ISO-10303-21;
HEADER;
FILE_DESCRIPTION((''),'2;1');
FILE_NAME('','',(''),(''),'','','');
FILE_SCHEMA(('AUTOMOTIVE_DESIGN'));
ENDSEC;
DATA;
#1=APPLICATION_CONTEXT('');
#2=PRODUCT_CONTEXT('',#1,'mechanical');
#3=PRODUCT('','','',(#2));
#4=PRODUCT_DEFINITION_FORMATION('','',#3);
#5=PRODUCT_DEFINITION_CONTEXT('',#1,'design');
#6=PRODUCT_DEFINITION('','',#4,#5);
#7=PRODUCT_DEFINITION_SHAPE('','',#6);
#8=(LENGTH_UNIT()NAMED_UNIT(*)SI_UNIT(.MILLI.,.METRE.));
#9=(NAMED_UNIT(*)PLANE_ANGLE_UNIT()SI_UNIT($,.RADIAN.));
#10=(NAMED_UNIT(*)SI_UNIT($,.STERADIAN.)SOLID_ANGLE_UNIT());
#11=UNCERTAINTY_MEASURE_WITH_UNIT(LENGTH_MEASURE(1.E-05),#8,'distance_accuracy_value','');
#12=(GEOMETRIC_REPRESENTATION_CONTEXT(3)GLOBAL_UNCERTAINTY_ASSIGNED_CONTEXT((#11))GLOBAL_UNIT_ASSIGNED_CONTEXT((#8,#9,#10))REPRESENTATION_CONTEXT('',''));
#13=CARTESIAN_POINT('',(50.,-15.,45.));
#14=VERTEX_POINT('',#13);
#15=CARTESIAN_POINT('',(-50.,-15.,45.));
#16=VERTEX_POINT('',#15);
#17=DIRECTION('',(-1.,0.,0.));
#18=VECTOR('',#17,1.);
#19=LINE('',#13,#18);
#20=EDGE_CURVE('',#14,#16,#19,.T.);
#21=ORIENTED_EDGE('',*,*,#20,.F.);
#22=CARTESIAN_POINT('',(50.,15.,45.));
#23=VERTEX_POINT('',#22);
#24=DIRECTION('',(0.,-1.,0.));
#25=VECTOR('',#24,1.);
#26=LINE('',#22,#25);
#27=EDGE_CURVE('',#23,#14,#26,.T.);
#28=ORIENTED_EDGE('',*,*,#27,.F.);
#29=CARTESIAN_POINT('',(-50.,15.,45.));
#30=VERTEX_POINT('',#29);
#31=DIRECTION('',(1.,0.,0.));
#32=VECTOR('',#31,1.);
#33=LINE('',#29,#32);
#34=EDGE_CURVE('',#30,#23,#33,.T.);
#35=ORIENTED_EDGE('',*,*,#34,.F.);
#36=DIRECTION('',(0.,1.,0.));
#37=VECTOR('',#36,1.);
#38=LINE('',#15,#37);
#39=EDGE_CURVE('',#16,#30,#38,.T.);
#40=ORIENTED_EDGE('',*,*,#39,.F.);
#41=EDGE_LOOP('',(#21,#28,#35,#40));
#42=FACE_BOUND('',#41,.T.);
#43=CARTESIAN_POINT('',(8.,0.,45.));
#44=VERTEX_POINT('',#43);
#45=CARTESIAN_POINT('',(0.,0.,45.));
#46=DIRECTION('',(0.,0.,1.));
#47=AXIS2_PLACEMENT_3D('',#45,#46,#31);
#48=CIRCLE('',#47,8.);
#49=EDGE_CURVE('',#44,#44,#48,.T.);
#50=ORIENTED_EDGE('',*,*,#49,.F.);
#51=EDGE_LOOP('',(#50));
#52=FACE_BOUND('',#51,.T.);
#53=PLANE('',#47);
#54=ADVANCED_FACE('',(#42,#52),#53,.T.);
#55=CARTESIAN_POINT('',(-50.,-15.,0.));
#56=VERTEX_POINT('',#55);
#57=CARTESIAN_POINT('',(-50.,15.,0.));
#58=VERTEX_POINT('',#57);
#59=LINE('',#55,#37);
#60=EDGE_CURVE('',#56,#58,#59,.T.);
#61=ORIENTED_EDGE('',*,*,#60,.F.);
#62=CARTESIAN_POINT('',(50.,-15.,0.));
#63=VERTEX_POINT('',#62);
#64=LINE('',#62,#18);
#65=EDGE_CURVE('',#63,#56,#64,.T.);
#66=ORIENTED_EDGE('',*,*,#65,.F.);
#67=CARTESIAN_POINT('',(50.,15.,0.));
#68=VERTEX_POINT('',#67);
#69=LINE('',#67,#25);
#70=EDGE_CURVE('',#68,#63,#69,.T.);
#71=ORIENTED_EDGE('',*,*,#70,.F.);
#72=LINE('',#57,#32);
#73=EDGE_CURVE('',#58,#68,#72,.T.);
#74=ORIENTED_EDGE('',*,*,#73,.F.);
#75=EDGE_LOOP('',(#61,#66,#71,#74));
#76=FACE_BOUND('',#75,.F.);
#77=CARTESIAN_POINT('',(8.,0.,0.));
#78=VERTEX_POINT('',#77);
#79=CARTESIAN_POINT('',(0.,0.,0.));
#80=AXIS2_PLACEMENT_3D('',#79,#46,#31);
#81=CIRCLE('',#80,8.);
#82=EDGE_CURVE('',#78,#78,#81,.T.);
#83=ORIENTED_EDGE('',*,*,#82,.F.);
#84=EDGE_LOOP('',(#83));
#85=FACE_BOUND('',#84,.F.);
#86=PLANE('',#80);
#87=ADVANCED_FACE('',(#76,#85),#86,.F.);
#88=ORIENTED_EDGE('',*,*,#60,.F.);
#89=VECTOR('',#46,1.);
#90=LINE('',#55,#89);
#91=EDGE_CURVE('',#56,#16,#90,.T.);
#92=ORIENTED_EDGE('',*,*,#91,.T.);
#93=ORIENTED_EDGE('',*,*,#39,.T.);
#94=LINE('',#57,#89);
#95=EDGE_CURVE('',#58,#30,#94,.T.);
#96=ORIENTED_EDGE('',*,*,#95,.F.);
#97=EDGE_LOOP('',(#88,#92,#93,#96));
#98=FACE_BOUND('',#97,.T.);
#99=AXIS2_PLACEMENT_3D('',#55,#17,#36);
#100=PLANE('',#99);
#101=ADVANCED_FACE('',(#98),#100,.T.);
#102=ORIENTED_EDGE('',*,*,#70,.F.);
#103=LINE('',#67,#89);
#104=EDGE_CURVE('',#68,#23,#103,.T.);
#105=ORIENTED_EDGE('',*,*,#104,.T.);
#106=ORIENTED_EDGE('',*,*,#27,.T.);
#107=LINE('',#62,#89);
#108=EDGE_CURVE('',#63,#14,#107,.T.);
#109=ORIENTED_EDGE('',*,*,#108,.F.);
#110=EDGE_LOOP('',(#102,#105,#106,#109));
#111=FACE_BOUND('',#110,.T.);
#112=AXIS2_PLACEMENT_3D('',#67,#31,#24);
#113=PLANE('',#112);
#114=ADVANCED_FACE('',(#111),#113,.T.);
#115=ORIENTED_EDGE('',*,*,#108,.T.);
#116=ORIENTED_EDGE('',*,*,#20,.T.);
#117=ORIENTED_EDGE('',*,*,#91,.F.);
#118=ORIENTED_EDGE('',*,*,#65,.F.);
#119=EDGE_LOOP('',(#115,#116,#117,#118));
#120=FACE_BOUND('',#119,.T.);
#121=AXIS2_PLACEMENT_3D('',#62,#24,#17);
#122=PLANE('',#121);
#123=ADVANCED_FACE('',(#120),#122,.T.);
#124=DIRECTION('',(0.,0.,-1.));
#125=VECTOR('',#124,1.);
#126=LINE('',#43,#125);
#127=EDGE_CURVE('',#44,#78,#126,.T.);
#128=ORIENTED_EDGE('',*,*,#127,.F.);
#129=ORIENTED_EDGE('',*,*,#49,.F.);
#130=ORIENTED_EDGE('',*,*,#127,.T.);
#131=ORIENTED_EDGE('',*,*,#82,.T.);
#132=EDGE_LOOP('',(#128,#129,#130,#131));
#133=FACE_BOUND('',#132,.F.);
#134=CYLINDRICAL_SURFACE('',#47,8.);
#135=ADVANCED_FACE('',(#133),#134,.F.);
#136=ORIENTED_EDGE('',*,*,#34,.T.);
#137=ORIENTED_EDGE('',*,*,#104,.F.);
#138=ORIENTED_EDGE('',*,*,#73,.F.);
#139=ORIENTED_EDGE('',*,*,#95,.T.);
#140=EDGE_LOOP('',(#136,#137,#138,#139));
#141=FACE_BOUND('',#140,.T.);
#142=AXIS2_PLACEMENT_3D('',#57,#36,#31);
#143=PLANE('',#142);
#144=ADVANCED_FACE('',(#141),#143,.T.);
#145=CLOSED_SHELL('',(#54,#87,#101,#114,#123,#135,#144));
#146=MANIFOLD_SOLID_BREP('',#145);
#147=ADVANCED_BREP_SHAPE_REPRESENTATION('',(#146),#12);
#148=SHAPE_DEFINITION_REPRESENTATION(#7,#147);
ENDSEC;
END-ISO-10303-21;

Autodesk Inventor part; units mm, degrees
ref_plane "YZ Plane" through (0, 0, 0) normal (1, 0, 0) x (0, 1, 0)
ref_plane "XZ Plane" through (0, 0, 0) normal (0, 1, 0) x (-1, 0, 0)
ref_plane "XY Plane" through (0, 0, 0) normal (0, 0, 1) x (1, 0, 0)
sketch "Sketch1" plane through (0, 0, 0) normal (0, 0, 1) x (1, 0, 0)
  line L0 (-50, 15) -> (50, 15)
  line L1 (50, 15) -> (50, -15)
  line L2 (50, -15) -> (-50, -15)
  line L3 (-50, -15) -> (-50, 15)
  point P0 (0, 0)
  point P1 (50, 0)
  point P2 (0, 15)
  dimension "d0" = 100
  dimension "d1" = 30
extrude "Extrusion1" add sketch "Sketch1" along normal blind 45
sketch "Sketch2" plane through (0, 0, 45) normal (0, 0, 1) x (1, 0, 0)
  circle A0 centre (0, 0) radius 8
  dimension "d4" = 16
extrude "Extrusion2" cut sketch "Sketch2" against normal through all
properties part number "lead-screw-nut-preview"
